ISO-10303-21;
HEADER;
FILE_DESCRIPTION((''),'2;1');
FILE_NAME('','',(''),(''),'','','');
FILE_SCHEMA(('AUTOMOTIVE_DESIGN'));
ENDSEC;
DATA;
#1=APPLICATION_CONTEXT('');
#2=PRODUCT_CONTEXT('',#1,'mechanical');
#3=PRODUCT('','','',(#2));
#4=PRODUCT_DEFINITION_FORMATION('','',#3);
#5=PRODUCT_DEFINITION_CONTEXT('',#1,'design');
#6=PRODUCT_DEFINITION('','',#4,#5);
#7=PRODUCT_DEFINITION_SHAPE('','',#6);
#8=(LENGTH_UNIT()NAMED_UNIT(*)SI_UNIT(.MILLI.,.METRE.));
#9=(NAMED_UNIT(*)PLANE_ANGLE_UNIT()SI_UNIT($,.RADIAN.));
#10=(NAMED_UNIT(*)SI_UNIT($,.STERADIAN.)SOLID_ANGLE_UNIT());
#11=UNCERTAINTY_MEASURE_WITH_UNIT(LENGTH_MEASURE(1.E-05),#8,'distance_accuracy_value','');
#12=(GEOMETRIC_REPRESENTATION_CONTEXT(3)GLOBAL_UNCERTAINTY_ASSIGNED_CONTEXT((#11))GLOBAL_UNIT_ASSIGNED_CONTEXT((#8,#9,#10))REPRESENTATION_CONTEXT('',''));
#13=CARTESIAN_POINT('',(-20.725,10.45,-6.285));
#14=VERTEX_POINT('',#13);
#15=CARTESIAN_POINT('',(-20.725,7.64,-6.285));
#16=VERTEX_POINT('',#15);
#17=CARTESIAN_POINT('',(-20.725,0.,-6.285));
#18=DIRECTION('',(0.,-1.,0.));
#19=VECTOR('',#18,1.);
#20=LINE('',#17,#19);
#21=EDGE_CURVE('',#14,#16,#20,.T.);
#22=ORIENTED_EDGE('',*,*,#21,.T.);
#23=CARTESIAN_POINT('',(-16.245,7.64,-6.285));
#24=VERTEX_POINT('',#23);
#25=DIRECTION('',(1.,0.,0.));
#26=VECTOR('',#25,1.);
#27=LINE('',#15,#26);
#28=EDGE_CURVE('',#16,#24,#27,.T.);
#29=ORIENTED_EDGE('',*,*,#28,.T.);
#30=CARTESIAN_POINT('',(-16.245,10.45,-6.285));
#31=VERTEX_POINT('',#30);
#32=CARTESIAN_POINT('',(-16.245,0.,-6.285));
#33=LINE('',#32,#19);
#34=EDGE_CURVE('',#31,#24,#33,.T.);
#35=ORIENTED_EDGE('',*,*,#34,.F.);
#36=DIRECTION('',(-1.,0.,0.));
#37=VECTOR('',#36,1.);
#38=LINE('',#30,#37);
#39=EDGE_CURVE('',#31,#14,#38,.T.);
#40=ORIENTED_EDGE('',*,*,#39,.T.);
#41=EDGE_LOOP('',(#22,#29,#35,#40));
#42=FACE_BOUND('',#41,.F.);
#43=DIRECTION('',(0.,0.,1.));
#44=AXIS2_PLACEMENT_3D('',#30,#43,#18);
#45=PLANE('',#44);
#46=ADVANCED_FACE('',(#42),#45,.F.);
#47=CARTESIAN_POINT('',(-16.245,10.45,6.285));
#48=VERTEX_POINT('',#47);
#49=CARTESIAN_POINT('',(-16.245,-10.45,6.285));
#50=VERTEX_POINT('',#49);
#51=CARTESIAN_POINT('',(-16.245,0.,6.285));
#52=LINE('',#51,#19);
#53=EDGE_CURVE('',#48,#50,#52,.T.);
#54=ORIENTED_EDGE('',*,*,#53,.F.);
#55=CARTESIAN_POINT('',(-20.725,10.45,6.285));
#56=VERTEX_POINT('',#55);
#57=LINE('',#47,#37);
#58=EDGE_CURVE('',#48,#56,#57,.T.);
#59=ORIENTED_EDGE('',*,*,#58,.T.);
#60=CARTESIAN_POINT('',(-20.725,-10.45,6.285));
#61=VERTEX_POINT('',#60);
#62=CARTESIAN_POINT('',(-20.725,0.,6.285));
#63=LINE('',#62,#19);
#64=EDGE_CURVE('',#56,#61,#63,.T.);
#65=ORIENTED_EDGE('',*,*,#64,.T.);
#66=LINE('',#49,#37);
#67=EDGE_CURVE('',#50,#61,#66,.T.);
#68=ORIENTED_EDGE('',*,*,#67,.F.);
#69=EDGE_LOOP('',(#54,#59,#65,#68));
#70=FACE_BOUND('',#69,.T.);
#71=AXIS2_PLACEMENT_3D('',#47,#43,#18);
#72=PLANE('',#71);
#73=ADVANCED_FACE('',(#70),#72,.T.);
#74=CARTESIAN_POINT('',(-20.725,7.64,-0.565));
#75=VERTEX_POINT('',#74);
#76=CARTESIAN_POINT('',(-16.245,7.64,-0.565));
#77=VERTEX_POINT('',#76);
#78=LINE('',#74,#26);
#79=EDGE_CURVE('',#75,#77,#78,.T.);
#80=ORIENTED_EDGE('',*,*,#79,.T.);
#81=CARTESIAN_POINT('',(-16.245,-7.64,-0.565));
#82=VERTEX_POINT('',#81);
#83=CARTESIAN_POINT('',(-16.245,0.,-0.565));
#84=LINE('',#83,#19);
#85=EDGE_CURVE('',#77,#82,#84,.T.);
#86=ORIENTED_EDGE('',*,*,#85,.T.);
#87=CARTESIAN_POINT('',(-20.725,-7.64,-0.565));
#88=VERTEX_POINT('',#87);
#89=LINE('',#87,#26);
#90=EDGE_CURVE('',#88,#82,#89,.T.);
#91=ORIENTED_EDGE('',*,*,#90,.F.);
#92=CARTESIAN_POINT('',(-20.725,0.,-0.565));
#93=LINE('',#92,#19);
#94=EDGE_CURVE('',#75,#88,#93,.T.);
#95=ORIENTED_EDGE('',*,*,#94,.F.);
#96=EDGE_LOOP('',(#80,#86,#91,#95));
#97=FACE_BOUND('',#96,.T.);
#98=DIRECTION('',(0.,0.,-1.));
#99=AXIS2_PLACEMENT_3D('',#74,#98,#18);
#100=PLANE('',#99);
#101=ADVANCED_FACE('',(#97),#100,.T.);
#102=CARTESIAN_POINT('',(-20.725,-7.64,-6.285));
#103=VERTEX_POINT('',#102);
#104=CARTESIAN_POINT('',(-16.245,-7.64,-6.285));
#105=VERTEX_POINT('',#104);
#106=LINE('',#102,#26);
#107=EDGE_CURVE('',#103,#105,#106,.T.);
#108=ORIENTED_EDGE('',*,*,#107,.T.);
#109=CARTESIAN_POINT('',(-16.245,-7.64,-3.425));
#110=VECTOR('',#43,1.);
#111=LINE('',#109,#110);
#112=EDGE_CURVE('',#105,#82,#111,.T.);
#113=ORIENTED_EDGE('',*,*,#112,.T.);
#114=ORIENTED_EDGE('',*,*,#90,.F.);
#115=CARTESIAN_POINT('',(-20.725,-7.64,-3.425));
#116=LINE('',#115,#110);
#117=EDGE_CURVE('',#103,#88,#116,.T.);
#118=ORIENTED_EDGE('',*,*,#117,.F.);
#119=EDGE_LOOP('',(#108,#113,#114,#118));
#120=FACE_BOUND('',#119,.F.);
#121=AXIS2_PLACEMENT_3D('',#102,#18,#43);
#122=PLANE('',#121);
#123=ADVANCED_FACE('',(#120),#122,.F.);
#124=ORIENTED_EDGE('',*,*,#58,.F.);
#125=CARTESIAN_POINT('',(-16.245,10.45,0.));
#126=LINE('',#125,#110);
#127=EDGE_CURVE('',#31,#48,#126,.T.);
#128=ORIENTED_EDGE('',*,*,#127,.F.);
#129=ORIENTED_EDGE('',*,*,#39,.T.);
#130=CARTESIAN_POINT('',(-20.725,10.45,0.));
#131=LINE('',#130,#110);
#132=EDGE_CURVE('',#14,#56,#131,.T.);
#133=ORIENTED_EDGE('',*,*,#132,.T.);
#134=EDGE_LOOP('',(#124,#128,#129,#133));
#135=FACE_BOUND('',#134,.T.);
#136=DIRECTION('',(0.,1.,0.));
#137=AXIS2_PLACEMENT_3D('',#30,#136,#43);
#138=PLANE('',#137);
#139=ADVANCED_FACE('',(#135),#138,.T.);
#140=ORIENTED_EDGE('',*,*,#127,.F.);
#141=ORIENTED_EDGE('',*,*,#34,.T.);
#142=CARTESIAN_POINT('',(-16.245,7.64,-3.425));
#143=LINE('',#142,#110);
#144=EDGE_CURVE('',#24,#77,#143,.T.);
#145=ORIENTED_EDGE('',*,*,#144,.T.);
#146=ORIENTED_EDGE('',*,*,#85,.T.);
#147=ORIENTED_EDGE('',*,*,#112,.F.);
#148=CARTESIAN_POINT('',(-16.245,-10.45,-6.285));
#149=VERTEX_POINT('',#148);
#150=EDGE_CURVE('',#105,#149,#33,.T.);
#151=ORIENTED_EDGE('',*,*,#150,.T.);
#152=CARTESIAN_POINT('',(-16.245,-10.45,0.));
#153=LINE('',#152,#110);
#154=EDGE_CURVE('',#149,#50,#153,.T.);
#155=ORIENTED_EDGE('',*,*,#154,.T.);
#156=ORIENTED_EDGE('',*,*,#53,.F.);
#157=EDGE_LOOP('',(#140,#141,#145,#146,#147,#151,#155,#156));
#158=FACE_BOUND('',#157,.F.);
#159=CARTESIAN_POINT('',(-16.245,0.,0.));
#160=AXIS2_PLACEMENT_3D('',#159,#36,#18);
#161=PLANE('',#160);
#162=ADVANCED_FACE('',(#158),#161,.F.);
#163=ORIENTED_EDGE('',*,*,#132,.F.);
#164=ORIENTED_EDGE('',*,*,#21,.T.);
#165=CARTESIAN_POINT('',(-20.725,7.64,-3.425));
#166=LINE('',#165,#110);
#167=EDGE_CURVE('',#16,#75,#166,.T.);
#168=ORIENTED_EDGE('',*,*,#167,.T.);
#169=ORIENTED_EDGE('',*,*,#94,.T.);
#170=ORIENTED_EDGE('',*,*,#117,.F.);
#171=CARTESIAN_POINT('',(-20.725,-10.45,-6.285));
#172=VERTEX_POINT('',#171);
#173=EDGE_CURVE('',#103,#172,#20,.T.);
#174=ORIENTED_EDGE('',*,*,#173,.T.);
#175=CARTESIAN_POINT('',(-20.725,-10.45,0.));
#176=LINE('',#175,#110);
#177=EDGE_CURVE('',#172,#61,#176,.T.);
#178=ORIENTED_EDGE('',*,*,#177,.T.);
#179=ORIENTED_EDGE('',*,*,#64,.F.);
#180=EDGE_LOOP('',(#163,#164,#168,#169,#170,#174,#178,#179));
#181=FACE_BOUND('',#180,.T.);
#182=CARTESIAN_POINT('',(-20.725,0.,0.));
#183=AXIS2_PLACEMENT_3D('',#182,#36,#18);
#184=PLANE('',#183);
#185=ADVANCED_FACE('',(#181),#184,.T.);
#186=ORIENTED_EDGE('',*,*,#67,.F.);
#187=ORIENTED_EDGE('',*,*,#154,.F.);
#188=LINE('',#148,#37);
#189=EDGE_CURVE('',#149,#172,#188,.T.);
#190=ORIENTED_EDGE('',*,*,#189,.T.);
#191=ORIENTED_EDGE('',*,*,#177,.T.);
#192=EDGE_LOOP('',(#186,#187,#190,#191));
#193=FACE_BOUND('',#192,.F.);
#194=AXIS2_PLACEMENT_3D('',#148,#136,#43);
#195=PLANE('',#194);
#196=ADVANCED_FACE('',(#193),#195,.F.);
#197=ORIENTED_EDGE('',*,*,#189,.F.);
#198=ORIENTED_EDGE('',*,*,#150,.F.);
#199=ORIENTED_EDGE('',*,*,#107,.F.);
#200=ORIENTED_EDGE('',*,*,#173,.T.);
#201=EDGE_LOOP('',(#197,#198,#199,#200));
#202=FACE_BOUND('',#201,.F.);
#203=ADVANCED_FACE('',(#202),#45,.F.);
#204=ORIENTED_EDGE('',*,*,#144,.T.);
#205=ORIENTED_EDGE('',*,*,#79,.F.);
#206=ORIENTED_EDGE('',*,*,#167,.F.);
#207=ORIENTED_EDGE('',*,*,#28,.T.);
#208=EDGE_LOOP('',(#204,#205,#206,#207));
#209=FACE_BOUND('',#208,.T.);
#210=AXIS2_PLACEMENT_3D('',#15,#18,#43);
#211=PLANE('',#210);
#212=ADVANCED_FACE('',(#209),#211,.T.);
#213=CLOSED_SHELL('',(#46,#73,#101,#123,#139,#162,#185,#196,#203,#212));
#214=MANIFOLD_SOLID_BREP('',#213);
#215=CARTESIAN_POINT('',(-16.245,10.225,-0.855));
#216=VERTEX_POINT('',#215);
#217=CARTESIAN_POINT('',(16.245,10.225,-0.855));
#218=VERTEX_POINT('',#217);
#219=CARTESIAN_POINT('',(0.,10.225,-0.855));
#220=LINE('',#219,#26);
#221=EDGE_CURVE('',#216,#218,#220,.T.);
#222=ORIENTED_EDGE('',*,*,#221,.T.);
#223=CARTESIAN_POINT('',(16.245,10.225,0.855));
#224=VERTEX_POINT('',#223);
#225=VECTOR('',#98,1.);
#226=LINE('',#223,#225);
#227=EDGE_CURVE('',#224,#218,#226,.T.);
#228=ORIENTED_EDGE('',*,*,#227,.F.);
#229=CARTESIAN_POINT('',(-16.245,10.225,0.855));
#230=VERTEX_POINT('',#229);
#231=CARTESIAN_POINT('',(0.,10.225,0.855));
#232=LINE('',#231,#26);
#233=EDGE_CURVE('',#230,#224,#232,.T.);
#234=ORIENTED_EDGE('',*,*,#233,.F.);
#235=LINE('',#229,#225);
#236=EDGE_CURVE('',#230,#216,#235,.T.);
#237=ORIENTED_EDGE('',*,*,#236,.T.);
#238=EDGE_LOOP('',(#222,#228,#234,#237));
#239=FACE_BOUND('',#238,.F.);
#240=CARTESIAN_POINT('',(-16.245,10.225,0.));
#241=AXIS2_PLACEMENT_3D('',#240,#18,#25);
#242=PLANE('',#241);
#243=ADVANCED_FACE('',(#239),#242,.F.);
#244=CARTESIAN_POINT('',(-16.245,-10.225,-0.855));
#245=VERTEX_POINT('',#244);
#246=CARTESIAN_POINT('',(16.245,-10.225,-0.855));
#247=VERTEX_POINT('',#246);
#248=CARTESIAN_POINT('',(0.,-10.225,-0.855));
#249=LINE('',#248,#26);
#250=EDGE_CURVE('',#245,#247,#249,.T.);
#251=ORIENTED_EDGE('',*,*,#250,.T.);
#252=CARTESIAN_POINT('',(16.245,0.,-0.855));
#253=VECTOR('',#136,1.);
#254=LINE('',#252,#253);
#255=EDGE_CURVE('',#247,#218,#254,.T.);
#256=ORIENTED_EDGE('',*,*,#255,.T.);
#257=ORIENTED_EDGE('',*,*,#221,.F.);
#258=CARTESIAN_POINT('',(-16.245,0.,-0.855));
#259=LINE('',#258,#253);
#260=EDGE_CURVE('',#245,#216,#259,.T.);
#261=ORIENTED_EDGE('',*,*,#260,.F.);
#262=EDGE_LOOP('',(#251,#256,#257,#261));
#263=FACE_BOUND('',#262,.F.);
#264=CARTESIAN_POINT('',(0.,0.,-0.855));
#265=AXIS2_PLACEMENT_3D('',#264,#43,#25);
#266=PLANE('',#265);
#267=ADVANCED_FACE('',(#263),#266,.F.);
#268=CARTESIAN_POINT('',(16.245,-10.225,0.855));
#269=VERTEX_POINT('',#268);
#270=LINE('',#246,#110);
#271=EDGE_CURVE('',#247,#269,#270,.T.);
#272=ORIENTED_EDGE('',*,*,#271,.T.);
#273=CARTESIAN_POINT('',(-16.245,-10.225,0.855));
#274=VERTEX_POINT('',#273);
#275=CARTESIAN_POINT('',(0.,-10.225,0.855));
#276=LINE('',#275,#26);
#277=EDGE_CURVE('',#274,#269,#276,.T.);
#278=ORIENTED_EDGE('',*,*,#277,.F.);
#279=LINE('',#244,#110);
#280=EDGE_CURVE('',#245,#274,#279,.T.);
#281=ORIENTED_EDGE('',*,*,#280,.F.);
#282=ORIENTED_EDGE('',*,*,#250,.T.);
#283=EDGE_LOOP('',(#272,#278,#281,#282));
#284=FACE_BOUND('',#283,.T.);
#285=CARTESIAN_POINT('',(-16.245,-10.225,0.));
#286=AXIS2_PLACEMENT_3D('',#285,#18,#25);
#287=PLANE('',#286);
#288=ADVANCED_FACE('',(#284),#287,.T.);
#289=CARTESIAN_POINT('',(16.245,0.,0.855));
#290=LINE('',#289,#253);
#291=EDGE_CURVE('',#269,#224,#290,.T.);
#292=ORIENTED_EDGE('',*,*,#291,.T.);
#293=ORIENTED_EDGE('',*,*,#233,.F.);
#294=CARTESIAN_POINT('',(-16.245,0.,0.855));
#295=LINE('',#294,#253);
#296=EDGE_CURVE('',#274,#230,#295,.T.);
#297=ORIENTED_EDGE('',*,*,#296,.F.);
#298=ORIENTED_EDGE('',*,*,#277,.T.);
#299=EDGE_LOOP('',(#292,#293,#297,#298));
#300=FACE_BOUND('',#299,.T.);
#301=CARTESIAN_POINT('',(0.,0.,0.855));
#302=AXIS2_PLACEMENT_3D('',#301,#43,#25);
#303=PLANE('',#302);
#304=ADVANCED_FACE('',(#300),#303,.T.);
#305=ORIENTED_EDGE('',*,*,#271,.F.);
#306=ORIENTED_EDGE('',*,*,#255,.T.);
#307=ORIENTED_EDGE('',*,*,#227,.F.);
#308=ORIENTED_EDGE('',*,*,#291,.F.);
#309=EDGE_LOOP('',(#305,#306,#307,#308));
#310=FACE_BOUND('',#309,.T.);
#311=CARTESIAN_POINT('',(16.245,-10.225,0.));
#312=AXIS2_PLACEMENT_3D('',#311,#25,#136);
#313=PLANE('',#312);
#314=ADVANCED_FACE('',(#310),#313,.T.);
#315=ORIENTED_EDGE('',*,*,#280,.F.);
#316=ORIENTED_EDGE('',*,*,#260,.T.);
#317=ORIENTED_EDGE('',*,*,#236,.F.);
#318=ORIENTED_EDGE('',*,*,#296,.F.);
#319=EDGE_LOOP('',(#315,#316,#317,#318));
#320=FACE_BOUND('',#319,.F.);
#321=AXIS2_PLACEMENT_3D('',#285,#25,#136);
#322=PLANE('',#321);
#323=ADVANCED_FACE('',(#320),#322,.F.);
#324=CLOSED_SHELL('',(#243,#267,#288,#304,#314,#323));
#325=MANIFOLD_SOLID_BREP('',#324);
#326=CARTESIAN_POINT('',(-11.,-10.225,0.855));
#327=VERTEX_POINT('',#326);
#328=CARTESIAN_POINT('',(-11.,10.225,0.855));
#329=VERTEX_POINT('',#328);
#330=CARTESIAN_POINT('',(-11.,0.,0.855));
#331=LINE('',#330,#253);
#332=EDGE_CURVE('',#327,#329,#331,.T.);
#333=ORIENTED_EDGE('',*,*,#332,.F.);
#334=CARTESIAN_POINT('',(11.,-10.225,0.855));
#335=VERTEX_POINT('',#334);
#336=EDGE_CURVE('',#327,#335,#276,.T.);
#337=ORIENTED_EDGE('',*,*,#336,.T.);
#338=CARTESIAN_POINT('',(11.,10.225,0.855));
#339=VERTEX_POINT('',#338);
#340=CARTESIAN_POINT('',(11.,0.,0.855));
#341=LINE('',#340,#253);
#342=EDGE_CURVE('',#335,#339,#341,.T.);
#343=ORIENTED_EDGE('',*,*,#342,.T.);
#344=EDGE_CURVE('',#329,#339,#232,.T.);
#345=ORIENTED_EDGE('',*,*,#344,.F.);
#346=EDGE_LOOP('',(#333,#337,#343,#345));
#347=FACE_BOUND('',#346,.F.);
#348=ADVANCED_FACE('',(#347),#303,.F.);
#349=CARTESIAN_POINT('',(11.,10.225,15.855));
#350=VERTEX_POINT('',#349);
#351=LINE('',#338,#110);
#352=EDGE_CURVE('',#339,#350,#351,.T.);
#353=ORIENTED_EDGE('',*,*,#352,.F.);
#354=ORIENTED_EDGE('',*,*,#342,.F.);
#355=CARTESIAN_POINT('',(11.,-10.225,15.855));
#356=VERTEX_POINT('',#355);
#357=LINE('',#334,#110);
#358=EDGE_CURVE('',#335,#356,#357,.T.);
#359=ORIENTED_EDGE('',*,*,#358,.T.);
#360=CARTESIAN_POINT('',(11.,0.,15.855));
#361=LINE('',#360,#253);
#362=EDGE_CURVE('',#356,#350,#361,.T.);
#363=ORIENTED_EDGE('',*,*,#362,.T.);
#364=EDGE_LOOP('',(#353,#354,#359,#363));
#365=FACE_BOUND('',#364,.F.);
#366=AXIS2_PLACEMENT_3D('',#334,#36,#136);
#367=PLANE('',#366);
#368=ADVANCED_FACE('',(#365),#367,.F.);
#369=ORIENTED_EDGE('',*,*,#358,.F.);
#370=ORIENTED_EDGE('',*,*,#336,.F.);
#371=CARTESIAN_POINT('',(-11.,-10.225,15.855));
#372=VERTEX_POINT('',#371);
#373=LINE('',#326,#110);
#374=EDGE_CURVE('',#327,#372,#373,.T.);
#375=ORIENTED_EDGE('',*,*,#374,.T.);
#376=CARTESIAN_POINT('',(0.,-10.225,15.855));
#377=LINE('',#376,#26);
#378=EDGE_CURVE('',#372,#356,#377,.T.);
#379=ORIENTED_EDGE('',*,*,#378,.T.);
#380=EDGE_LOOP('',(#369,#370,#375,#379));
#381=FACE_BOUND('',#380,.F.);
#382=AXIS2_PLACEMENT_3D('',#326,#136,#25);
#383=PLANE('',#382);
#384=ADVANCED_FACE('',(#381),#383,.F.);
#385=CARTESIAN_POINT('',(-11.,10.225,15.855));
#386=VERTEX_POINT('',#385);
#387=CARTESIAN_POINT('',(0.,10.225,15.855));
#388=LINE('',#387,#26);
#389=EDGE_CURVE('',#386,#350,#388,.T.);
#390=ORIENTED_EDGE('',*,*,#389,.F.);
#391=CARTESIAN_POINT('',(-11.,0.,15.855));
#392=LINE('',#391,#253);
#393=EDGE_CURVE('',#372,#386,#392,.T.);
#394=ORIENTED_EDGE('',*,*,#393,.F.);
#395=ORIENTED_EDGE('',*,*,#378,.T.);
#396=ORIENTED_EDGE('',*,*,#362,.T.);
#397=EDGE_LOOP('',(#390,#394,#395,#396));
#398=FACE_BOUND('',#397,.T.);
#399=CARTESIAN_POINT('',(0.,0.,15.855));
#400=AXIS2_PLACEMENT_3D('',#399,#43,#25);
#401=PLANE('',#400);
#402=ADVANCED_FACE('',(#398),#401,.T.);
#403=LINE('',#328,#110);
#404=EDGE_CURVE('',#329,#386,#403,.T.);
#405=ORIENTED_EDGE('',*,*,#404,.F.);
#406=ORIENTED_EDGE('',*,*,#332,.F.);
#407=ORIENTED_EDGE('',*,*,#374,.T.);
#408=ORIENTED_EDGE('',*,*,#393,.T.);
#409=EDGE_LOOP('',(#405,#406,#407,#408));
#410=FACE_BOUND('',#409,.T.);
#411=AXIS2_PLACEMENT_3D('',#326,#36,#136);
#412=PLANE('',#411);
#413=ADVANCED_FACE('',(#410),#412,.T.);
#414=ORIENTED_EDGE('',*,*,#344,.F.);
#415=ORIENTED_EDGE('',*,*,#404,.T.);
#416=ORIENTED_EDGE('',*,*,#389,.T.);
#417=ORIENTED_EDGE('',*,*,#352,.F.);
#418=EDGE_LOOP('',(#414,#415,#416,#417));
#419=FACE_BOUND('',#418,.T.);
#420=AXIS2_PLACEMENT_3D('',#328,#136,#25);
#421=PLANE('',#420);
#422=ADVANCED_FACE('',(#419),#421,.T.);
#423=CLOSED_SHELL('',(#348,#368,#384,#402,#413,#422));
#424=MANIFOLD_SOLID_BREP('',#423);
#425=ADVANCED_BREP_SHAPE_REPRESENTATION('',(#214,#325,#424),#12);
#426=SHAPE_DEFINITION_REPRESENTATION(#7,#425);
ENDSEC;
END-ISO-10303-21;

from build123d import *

# Parameters (mm, degrees)
F0_W     = 32.49
F0_H     = 20.45
F1_DEPTH = 0.855
F2_W     = 20.9
F2_H     = 12.57
F3_DEPTH = 4.48
F4_W     = 15.28
F4_H     = 5.72
F5_DEPTH = 4.48
F6_W     = 22
F6_H     = 20.45
F7_DEPTH = 15


with BuildPart() as f1:
    # F0 (on Top) → F1 (new body, symmetric)
    with BuildSketch(Plane.XY):
        Rectangle(F0_W, F0_H)
    extrude(amount=F1_DEPTH, both=True)


with BuildPart() as f3:
    # F2 (on face) → F3 (new body)
    with BuildSketch(Plane(origin=(-16.245, 0, 0), x_dir=(0, -1, 0), z_dir=(-1, 0, 0))):
        Rectangle(F2_W, F2_H)
    extrude(amount=F3_DEPTH)

    # F4 (on face) → F5 (cut, through all)
    with BuildSketch(Plane(origin=(-20.725, 0, 0), x_dir=(0, -1, 0), z_dir=(-1, 0, 0))):
        with Locations((0, -3.425)):
            Rectangle(F4_W, F4_H)
    extrude(amount=-F5_DEPTH, mode=Mode.SUBTRACT)


with BuildPart() as f7:
    # F6 (on face) → F7 (new body)
    with BuildSketch(Plane.XY.offset(0.855)):
        Rectangle(F6_W, F6_H)
    extrude(amount=F7_DEPTH)


solid = Compound([f1.part, f3.part, f7.part])
